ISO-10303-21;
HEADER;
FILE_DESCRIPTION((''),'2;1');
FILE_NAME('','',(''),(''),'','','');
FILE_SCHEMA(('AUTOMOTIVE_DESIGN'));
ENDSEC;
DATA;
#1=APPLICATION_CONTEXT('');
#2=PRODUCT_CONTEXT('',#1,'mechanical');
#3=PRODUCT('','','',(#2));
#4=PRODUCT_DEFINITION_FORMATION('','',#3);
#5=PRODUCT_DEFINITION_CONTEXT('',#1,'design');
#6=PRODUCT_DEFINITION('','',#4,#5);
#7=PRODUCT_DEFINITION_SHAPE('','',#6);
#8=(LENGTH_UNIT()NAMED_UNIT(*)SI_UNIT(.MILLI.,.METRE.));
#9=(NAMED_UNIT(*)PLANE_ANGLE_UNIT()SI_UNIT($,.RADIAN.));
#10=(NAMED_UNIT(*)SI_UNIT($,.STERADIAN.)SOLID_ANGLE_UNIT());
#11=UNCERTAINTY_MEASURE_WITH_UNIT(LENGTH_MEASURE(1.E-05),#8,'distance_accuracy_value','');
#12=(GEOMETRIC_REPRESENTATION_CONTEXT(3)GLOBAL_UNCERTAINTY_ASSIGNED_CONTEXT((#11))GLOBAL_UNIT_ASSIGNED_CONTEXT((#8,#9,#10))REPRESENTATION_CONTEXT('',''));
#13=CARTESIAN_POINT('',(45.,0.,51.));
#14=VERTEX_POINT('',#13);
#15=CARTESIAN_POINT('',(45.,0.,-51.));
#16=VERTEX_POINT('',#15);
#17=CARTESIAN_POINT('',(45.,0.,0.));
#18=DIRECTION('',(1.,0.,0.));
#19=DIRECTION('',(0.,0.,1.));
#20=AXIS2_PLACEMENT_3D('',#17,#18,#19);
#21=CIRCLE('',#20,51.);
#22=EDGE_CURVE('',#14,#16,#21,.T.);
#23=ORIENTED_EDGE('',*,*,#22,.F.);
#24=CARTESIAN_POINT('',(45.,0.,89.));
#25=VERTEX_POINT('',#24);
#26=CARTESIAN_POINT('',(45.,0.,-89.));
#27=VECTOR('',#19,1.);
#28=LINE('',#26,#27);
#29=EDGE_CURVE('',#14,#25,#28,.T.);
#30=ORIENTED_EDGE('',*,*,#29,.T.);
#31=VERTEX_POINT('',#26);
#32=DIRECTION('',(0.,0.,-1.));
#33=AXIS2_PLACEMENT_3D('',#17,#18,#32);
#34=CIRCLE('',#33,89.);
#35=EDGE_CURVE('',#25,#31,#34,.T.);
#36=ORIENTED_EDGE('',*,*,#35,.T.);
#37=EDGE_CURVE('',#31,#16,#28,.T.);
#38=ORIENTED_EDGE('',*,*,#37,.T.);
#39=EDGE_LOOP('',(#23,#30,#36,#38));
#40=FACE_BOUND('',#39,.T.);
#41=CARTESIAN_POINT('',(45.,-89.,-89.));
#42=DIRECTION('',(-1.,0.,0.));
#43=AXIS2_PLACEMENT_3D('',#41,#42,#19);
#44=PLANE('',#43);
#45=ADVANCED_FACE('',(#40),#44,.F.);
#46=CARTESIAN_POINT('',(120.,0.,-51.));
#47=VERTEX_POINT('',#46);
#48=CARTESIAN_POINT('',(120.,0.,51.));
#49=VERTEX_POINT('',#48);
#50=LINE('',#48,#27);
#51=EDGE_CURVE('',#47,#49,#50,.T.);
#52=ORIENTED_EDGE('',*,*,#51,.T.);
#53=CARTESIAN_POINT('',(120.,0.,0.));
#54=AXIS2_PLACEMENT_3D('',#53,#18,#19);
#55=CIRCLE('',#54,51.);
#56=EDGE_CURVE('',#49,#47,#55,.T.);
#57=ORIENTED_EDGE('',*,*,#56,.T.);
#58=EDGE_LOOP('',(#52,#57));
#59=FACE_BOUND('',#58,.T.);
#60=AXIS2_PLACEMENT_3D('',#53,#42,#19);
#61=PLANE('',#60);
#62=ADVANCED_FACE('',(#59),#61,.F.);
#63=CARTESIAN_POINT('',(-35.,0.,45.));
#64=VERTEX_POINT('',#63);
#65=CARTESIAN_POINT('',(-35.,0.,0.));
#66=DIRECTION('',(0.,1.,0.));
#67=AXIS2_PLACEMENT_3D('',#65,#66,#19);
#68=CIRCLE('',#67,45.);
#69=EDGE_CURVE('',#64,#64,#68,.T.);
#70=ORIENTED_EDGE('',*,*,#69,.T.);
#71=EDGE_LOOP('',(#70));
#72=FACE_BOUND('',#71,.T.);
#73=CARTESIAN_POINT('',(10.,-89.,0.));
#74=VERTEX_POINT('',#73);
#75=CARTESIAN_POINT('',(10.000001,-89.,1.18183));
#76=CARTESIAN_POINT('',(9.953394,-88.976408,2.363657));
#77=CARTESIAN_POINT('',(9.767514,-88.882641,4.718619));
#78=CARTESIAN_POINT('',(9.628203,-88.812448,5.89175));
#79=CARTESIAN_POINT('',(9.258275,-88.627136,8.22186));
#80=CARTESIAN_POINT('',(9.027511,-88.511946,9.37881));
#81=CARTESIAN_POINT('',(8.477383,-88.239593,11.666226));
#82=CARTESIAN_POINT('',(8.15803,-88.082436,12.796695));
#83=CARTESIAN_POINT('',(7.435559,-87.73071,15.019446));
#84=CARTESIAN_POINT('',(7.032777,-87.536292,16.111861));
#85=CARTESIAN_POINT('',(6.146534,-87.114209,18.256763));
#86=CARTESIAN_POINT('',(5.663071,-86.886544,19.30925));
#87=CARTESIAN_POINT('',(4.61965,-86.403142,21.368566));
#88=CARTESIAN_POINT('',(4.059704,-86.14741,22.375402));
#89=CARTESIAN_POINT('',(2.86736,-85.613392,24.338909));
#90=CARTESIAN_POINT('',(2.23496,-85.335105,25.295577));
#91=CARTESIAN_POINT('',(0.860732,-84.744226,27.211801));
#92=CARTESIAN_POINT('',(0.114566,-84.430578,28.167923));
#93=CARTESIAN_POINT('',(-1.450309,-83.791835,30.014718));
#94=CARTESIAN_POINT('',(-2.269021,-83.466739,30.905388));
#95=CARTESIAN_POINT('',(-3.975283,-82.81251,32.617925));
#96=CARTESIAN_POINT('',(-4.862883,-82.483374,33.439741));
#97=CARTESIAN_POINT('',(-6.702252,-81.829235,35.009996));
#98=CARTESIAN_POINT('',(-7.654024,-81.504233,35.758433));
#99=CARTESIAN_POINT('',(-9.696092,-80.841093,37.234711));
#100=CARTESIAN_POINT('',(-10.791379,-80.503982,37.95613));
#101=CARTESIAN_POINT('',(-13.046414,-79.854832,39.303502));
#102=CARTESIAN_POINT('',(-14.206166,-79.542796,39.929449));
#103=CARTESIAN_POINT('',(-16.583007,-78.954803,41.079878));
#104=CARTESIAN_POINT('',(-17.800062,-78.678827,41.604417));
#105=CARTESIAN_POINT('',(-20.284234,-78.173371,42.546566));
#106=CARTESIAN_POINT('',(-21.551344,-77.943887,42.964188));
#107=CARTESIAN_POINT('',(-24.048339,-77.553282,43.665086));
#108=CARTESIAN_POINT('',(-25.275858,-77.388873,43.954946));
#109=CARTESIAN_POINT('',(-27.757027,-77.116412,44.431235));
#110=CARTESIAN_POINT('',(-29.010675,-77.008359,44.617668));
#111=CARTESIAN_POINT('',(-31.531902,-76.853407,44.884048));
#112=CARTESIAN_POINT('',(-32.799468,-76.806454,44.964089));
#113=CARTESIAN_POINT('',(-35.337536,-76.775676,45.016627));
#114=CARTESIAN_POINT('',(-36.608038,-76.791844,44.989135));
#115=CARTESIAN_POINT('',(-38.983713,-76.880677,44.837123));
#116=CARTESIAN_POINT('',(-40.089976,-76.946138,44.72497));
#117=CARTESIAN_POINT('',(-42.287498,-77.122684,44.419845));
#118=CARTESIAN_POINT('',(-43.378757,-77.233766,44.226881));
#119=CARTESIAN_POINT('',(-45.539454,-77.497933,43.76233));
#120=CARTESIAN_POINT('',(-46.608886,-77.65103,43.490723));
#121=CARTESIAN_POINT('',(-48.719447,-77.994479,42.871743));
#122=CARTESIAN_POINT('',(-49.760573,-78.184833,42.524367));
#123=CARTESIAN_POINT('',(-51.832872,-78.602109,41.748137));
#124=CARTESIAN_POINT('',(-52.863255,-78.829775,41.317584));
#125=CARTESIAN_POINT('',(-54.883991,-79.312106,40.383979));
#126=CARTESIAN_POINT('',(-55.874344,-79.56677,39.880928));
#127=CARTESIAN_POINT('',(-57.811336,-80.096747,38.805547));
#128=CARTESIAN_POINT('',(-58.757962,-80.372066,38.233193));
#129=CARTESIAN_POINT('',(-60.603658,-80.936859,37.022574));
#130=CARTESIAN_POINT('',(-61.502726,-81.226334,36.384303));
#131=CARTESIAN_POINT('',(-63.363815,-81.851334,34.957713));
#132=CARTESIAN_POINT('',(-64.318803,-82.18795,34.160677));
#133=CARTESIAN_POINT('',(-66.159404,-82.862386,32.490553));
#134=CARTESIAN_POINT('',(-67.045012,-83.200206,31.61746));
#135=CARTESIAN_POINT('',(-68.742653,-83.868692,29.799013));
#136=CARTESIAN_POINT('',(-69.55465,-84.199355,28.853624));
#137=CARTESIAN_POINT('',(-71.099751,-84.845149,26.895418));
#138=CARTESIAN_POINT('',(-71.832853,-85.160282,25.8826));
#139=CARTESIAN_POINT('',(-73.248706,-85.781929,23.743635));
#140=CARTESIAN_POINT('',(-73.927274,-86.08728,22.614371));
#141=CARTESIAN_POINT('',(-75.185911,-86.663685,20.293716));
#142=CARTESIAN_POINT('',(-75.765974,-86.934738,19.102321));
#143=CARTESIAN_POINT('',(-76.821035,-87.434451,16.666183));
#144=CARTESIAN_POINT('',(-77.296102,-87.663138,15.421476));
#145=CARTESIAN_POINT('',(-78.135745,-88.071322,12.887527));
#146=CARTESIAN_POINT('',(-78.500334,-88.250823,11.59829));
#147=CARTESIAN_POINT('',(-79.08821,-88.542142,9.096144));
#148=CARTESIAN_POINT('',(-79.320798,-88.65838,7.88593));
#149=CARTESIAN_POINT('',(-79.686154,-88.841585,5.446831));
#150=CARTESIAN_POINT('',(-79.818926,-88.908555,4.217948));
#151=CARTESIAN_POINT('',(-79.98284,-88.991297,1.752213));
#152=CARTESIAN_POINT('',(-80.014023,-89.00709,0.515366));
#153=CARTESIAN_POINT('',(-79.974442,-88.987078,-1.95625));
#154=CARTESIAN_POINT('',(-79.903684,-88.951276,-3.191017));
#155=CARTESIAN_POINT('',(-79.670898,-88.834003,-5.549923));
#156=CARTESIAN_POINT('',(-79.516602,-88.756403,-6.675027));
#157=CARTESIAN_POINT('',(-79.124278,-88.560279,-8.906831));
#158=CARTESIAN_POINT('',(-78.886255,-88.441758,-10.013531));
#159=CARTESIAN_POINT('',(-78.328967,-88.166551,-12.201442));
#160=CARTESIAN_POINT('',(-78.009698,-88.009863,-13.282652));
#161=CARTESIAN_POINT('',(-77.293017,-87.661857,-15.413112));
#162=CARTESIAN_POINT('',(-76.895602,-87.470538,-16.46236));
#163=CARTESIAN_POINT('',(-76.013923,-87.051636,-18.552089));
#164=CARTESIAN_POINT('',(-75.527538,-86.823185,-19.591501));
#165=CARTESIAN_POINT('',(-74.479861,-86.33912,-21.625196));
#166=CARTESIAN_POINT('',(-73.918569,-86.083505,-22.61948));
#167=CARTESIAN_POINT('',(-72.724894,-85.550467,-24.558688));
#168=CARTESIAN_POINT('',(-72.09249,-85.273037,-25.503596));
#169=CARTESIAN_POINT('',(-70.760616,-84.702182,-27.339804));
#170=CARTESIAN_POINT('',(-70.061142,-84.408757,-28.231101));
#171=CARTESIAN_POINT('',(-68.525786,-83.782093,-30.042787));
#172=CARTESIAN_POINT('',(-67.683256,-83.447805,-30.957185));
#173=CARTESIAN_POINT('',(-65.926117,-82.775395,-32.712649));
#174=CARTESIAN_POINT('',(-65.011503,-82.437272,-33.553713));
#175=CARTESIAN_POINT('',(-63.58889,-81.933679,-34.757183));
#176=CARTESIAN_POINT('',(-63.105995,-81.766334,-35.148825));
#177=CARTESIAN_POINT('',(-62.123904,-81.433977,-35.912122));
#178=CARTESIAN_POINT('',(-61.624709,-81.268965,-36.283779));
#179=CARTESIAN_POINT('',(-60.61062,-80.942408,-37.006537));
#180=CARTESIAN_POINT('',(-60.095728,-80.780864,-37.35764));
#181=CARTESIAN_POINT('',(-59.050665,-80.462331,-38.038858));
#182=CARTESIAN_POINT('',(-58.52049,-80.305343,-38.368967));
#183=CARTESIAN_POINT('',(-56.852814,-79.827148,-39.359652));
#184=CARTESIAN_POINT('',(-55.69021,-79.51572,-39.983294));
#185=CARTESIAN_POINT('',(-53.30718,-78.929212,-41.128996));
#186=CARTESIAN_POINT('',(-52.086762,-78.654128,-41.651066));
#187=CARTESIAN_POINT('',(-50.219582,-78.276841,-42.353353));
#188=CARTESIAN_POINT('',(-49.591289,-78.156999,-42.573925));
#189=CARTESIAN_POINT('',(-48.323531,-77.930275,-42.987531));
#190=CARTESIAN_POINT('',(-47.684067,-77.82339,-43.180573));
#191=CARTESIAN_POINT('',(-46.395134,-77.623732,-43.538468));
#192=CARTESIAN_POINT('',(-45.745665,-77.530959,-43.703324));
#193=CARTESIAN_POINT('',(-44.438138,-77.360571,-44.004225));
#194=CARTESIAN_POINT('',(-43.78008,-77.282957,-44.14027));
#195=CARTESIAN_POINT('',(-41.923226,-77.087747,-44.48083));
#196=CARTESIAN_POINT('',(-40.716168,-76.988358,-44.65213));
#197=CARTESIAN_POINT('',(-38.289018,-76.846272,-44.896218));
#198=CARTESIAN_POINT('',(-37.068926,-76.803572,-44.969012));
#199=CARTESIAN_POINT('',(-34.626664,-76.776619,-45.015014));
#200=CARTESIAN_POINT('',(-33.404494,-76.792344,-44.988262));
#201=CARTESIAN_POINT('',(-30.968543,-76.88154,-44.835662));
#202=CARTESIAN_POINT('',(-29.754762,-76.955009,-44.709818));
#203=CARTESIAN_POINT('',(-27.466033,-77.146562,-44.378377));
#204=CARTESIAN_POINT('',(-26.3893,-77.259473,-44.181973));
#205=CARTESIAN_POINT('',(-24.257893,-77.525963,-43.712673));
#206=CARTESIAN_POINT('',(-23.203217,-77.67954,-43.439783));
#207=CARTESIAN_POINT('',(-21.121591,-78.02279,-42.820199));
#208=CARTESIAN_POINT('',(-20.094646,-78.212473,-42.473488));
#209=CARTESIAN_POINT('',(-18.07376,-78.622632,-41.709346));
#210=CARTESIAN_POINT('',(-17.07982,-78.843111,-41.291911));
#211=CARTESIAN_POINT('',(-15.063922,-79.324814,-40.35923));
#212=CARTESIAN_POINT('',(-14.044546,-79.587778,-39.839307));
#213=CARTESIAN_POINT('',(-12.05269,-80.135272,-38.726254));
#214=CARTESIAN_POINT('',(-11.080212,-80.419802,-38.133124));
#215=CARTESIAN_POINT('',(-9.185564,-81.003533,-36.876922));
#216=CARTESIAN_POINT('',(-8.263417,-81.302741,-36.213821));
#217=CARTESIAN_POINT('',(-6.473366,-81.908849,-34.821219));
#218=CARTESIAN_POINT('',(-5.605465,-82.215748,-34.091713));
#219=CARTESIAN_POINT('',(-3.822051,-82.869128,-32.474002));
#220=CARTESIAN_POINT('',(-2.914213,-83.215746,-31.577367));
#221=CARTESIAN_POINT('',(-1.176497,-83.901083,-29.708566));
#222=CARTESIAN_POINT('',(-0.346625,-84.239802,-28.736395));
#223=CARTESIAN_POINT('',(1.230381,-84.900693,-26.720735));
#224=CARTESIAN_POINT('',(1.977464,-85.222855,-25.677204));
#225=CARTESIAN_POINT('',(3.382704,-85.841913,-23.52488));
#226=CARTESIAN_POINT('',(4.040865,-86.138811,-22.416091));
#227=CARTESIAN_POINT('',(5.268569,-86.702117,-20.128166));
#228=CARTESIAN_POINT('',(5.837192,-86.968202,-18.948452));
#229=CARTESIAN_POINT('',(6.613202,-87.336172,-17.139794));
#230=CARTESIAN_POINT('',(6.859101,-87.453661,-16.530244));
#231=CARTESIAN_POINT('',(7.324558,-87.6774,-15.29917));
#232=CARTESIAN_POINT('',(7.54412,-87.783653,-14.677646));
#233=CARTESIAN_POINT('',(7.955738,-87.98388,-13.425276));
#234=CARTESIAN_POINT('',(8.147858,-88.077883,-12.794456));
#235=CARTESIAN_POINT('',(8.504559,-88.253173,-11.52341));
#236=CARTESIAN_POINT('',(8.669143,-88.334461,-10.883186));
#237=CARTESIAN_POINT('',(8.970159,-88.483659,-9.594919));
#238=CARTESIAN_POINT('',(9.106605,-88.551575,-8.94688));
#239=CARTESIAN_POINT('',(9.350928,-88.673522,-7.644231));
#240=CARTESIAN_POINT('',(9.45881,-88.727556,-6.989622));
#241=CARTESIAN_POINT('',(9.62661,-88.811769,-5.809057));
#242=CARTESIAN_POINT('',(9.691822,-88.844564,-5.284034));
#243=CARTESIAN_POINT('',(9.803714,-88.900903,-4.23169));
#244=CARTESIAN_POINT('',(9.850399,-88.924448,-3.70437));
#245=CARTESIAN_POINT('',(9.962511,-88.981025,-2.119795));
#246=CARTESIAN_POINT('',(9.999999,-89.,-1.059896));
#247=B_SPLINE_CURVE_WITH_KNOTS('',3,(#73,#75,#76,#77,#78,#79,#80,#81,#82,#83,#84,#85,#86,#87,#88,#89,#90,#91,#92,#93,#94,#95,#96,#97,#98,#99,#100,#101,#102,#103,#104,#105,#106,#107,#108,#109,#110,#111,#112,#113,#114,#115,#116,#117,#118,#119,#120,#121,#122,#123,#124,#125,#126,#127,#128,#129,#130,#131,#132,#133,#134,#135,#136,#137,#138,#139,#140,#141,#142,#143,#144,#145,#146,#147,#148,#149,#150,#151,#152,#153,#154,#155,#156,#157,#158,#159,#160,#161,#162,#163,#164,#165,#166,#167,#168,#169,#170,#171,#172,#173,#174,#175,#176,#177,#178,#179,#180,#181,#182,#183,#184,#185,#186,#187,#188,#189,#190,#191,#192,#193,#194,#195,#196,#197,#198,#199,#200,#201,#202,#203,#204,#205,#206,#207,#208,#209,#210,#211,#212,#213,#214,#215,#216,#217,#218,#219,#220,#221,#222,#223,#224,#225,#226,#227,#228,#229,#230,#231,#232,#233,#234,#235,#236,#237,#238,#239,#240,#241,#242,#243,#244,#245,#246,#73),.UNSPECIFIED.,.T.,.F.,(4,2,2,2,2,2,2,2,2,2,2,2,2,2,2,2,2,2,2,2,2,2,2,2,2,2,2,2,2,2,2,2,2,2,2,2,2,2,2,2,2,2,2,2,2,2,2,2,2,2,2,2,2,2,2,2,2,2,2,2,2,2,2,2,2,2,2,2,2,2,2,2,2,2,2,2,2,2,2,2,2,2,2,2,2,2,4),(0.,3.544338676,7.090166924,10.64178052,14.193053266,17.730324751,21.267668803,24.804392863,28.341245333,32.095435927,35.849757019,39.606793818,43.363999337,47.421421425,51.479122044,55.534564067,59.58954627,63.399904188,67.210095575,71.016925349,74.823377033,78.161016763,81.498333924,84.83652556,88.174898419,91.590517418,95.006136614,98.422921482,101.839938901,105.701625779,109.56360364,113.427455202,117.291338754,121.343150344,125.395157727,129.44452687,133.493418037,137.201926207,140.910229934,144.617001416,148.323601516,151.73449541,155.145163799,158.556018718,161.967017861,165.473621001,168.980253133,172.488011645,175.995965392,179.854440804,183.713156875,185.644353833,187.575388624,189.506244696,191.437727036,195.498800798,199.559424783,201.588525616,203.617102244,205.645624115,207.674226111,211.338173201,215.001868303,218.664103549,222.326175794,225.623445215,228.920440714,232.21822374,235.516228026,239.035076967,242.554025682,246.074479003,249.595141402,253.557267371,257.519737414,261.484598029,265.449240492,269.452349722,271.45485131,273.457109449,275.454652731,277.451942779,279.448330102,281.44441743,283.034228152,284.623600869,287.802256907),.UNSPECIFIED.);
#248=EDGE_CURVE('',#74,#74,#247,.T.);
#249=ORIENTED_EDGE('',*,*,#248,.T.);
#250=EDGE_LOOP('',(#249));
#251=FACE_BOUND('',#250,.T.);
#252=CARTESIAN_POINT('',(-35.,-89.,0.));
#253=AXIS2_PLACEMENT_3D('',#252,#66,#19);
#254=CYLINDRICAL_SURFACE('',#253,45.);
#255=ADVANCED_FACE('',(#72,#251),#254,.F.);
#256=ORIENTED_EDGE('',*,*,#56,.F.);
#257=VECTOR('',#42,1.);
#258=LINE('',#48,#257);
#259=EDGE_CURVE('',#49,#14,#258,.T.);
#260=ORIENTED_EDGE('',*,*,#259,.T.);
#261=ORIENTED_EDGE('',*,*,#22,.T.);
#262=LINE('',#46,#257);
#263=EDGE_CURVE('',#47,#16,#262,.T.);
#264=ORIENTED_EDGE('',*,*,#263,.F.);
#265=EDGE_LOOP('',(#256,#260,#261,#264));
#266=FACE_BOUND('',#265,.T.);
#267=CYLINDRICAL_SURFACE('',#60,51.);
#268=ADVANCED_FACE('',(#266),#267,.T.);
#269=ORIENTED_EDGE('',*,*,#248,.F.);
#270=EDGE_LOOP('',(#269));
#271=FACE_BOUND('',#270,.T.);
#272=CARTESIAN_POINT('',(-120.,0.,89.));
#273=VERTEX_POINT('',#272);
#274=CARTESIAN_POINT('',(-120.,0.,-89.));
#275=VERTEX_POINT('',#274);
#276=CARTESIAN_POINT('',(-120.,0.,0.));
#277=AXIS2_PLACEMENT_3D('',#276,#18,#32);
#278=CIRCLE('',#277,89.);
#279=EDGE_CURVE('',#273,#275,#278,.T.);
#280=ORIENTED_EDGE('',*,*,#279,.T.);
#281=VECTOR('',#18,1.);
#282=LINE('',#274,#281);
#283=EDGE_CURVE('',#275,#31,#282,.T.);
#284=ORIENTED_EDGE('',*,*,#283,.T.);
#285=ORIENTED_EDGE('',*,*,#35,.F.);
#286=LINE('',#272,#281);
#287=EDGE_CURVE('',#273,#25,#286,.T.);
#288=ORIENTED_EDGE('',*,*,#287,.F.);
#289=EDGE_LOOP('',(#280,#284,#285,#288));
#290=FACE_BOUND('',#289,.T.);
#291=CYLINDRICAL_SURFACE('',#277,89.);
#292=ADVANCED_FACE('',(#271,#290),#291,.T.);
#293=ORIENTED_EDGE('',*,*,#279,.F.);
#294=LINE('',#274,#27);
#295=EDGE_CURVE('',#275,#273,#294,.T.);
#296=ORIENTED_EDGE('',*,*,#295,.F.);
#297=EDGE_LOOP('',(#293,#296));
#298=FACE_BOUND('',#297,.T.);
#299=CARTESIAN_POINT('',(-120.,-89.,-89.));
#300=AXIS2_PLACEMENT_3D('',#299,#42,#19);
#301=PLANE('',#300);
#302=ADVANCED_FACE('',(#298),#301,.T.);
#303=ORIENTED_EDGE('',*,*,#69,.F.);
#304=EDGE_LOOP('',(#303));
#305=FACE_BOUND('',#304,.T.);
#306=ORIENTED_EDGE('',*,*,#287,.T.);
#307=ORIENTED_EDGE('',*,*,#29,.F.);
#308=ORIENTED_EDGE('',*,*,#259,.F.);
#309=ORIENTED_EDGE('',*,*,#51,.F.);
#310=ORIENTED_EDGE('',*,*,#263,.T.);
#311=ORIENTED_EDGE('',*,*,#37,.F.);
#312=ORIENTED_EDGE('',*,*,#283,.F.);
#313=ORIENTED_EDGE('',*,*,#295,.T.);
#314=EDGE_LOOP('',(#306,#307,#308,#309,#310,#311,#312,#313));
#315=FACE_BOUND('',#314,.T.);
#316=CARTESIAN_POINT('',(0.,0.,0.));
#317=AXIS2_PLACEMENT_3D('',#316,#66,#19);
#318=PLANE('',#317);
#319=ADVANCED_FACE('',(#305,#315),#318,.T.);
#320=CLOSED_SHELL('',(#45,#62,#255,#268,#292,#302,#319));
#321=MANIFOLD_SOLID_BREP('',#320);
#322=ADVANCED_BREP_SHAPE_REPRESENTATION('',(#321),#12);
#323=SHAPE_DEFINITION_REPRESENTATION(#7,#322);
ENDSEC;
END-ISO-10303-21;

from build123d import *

# Parameters (mm, degrees)
SCHIZZO1_W                   = 165
SCHIZZO1_H                   = 178
ESTRUSIONE_ESTRUSIONE3_DEPTH = 89
TAGLIO_ESTRUSIONE1_DEPTH     = 208.525901998
ESTRUSIONE_ESTRUSIONE5_DEPTH = 75
SCHIZZO6_R                   = 45
TAGLIO_ESTRUSIONE2_DEPTH     = 174.902271406


with BuildPart() as part:
    # Schizzo1 → Estrusione-Estrusione3 (new body)
    with BuildSketch(Plane(origin=(0, 0, 0), x_dir=(1, 0, 0), z_dir=(0, 1, 0))):
        with Locations((-37.5, 0)):
            Rectangle(SCHIZZO1_W, SCHIZZO1_H)
    extrude(amount=-ESTRUSIONE_ESTRUSIONE3_DEPTH)

    # Schizzo3 → Taglio-Estrusione1 (cut, through all)
    with BuildSketch(Plane(origin=(45, 0, 0), x_dir=(0, 0, -1), z_dir=(1, 0, 0))):
        with BuildLine():
            Line((89, -89), (89, 0))
            ThreePointArc((89, 0), (62.932503523, -62.932503528), (-7e-09, -89))
            Line((-7e-09, -89), (89, -89))
        make_face()
        with BuildLine():
            ThreePointArc((-7e-09, -89), (-62.932503528, -62.932503523), (-89, 0))
            Line((-89, 0), (-89, -89))
            Line((-89, -89), (-7e-09, -89))
        make_face()
    extrude(amount=-TAGLIO_ESTRUSIONE1_DEPTH, mode=Mode.SUBTRACT)

    # Schizzo4 → Estrusione-Estrusione5 (add)
    with BuildSketch(Plane(origin=(45, 0, 0), x_dir=(0, 0, -1), z_dir=(1, 0, 0))):
        with BuildLine():
            Line((-51, 0), (51, 0))
            ThreePointArc((51, 0), (0, -51), (-51, 0))
        make_face()
    extrude(amount=ESTRUSIONE_ESTRUSIONE5_DEPTH)

    # Schizzo6 → Taglio-Estrusione2 (cut, through all)
    with BuildSketch(Plane(origin=(0, 0, 0), x_dir=(1, 0, 0), z_dir=(0, 1, 0))):
        with Locations(Location((-35, 0, 0), (0, 0, 270))):
            Circle(SCHIZZO6_R)
    extrude(amount=-TAGLIO_ESTRUSIONE2_DEPTH, mode=Mode.SUBTRACT)


solid = part.part
